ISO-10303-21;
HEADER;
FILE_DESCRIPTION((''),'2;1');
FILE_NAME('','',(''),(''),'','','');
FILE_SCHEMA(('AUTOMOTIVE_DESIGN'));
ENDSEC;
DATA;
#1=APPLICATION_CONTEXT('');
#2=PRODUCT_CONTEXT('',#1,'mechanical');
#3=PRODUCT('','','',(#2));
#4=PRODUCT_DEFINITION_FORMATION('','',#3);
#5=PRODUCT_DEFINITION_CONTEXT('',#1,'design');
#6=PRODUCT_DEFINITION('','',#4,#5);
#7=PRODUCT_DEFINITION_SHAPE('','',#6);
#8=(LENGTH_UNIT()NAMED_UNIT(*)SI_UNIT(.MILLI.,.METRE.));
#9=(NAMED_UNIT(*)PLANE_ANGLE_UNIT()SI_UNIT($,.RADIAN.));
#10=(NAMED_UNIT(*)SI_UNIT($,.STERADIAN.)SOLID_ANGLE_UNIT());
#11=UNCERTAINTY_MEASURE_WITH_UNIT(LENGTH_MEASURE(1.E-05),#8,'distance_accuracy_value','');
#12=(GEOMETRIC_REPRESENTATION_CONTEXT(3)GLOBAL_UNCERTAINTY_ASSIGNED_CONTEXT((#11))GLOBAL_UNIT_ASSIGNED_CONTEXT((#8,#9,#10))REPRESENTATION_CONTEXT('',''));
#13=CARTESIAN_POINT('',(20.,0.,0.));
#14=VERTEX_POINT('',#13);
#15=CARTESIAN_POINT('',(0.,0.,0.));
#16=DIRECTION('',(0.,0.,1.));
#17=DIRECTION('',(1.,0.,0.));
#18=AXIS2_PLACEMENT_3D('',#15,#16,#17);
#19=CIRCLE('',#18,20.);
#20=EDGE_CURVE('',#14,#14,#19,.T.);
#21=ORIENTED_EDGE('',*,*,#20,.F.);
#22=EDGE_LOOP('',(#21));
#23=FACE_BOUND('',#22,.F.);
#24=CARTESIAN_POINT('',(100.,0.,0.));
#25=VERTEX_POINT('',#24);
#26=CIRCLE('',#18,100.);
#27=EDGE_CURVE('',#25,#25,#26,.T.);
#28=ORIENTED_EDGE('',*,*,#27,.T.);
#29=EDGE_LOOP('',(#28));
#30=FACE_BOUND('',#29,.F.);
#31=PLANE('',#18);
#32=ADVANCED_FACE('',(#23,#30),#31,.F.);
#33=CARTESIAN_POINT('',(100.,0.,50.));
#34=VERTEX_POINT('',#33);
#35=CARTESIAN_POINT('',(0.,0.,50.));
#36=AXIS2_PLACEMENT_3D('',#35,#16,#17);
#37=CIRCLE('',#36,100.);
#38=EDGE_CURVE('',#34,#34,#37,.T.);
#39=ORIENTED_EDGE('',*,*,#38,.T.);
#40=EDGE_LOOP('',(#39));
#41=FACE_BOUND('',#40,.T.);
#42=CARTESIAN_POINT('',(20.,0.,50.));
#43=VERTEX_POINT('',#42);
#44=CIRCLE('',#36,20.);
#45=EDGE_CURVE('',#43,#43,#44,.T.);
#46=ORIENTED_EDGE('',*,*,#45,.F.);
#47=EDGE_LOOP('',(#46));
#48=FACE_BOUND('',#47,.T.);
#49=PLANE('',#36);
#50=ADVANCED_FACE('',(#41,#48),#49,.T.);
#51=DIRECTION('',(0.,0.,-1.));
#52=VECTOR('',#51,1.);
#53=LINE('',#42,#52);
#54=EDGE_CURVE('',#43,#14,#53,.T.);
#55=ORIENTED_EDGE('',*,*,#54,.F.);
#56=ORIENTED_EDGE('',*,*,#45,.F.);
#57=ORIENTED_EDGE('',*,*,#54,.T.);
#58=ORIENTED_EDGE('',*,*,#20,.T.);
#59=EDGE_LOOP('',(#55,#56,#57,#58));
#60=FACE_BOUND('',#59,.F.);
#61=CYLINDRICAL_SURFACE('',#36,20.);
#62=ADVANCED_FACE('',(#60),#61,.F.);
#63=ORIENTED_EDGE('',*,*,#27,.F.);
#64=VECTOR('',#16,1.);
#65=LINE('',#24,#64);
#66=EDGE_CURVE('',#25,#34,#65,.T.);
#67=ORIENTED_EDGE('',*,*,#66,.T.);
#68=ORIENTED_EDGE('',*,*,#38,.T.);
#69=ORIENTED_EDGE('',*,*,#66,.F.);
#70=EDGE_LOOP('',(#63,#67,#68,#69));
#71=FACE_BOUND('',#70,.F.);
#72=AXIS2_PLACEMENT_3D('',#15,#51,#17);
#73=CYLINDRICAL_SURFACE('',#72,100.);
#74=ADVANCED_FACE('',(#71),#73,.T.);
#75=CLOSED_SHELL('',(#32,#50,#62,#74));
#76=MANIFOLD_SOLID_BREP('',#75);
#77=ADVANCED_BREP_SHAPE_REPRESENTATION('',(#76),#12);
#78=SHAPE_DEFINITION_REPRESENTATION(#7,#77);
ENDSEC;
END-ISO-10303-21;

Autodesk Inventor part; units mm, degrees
ref_plane "YZ Plane" through (0, 0, 0) normal (1, 0, 0) x (0, 1, 0)
ref_plane "XZ Plane" through (0, 0, 0) normal (0, 1, 0) x (-1, 0, 0)
ref_plane "XY Plane" through (0, 0, 0) normal (0, 0, 1) x (1, 0, 0)
sketch "Sketch1" plane through (0, 0, 0) normal (0, 0, 1) x (1, 0, 0)
  circle A0 centre (0, 0) radius 100
extrude "CounterWeight" add sketch "Sketch1" along normal blind 50
sketch "Sketch2" plane through (0, 0, 50) normal (0, 0, 1) x (1, 0, 0)
  circle A0 centre (0, 0) radius 20
extrude "Extrusion2" cut sketch "Sketch2" against normal blind 50
properties part number "SmallCounterWeight"
